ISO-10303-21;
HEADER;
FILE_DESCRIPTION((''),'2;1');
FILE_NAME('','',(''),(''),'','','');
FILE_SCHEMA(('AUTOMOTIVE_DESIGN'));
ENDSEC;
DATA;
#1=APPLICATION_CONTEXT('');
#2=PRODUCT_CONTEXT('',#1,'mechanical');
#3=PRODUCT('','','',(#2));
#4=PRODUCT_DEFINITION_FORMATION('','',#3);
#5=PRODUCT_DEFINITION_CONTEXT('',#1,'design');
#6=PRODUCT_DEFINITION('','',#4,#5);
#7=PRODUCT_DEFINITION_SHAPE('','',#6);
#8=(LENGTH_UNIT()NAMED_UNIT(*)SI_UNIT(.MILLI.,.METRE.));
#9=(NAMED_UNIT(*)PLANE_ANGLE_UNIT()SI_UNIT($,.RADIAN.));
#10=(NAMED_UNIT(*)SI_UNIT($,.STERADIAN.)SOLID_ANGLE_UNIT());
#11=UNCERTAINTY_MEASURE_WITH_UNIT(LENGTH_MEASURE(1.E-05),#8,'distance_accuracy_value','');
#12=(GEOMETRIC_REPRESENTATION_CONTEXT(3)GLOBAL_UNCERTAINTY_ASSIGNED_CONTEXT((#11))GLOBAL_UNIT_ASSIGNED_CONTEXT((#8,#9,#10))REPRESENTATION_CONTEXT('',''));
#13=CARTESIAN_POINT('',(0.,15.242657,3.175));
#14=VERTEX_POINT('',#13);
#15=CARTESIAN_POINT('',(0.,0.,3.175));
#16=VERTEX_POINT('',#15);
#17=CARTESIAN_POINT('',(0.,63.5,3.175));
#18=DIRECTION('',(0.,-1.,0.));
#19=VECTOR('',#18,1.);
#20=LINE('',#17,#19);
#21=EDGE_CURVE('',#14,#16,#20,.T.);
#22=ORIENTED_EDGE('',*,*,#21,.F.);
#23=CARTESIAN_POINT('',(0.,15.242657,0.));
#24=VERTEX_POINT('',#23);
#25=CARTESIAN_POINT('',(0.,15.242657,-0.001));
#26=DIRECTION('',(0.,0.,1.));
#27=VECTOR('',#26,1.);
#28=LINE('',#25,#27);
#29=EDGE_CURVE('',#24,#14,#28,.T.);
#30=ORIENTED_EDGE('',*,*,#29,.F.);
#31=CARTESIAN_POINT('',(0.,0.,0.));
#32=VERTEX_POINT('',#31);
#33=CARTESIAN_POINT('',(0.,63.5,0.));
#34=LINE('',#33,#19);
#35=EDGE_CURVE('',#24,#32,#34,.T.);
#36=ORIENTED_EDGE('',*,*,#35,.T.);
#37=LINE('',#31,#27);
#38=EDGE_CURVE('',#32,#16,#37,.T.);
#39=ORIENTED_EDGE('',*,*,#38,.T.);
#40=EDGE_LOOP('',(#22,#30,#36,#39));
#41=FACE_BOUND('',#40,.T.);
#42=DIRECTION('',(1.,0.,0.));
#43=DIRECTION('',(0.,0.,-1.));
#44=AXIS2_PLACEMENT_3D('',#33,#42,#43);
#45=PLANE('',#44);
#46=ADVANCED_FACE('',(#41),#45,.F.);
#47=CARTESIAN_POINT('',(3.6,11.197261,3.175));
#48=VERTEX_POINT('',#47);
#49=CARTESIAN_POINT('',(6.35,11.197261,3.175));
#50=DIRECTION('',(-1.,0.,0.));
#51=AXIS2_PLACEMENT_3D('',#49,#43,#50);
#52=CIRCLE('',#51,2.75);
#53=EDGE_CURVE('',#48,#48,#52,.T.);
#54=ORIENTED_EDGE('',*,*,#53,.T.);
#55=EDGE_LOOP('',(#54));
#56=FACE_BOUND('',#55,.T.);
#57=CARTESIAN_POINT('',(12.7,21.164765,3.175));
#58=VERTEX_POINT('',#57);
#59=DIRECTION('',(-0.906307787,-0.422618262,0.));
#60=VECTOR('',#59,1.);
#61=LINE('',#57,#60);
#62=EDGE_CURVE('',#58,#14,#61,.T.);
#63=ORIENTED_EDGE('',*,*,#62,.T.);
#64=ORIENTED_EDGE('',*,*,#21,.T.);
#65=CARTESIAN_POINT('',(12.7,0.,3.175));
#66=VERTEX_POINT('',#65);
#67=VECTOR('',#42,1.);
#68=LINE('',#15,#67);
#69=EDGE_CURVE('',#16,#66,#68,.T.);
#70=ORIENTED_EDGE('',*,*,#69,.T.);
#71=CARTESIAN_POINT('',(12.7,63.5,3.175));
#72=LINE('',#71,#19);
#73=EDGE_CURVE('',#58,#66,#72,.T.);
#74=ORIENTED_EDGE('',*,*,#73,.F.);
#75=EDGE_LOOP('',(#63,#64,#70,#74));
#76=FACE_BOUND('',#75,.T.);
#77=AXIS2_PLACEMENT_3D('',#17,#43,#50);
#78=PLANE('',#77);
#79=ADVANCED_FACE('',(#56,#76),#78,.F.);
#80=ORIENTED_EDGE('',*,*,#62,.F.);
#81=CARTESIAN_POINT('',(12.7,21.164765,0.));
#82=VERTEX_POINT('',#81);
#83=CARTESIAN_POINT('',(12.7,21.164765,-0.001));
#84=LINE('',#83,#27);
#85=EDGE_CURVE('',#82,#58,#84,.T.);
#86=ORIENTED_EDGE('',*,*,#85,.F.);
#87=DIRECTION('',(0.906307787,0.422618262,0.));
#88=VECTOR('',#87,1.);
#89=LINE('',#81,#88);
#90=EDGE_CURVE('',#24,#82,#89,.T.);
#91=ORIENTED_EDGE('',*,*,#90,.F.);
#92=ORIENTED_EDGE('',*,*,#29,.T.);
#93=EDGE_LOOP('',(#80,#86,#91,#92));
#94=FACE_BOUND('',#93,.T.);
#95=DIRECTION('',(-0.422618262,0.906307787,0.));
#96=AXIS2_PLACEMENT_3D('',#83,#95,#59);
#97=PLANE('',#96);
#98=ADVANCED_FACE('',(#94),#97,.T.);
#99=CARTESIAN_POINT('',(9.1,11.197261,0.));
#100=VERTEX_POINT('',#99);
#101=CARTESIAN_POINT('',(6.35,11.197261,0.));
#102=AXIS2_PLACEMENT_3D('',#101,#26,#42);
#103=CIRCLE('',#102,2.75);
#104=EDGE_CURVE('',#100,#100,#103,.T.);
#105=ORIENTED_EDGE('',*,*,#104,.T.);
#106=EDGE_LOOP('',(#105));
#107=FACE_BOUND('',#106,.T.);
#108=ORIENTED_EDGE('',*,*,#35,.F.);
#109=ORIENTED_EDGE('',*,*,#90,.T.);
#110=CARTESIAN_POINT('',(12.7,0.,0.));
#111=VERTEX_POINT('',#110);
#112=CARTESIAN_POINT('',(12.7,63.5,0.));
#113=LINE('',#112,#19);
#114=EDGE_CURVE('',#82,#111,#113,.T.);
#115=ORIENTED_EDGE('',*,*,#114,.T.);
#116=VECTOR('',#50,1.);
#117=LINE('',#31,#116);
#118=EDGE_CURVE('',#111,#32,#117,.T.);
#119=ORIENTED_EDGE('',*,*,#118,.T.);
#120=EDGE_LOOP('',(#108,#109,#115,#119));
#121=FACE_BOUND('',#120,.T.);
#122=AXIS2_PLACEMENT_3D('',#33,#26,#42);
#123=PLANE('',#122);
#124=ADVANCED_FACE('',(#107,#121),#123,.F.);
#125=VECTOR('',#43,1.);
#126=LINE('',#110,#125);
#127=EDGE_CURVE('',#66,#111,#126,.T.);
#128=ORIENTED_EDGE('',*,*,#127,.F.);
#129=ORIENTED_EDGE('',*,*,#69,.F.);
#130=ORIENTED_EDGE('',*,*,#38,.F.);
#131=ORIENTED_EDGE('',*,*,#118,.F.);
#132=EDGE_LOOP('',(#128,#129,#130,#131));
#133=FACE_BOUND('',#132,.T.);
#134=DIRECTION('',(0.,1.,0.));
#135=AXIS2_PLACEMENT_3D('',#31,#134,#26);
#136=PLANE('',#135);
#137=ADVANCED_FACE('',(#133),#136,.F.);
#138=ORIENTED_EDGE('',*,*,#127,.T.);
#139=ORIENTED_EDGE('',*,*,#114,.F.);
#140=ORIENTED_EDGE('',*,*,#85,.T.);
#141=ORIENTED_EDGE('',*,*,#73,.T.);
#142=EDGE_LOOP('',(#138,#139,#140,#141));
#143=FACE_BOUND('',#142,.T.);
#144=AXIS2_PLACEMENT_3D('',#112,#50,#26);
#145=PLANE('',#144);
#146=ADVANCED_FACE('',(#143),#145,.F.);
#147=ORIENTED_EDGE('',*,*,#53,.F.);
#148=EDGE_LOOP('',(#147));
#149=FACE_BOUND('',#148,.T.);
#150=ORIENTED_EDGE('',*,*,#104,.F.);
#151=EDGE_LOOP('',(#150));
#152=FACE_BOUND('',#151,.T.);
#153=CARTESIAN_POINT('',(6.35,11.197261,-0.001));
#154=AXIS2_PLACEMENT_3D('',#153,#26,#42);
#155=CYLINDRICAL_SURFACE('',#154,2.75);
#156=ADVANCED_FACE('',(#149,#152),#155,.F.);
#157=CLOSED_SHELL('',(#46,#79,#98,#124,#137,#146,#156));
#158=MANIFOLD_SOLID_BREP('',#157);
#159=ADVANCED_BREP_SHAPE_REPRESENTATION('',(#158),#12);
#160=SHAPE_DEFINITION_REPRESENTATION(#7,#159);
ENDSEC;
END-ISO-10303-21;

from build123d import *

# Parameters (mm, degrees)
SKETCH2_W           = 12.7
SKETCH2_H           = 3.175
BOSS_EXTRUDE1_DEPTH = 63.5
CUT_EXTRUDE1_REACH  = 66.835
SKETCH3_R           = 2.75


with BuildPart() as part:
    # Sketch2 → Boss-Extrude1 (new body)
    with BuildSketch(Plane(origin=(0, 0, 0), x_dir=(1, 0, 0), z_dir=(0, 1, 0))):
        with Locations((6.35, -1.5875)):
            Rectangle(SKETCH2_W, SKETCH2_H)
    extrude(amount=BOSS_EXTRUDE1_DEPTH)

    # Sketch3 → Cut-Extrude1 (cut, up to next)
    with BuildSketch(Plane(origin=(0, 0, 3.175), x_dir=(-1, 0, 0), z_dir=(0, 0, -1)), mode=Mode.PRIVATE) as cut_extrude1_sk1:
        with Locations(Location((-6.35, 11.197261172, 0), (0, 0, 180))):
            Circle(SKETCH3_R)
    cut_extrude1_tool1 = extrude(cut_extrude1_sk1.sketch, amount=CUT_EXTRUDE1_REACH, mode=Mode.PRIVATE) & part.part
    # Sketch3 → Cut-Extrude1 (cut, up to next)
    with BuildSketch(Plane(origin=(0, 0, 3.175), x_dir=(-1, 0, 0), z_dir=(0, 0, -1)), mode=Mode.PRIVATE) as cut_extrude1_sk2:
        Polygon((-12.7, 21.164764587), (0, 15.242657328), (0, 63.5), (-12.7, 63.5), align=None)
    cut_extrude1_tool2 = extrude(cut_extrude1_sk2.sketch, amount=CUT_EXTRUDE1_REACH, mode=Mode.PRIVATE) & part.part
    add(cut_extrude1_tool1.solids().sort_by_distance((6.35, 11.197261, 3.175))[0], mode=Mode.SUBTRACT)
    add(cut_extrude1_tool2.solids().sort_by_distance((6.211632, 40.819594, 3.175))[0], mode=Mode.SUBTRACT)


solid = part.part
